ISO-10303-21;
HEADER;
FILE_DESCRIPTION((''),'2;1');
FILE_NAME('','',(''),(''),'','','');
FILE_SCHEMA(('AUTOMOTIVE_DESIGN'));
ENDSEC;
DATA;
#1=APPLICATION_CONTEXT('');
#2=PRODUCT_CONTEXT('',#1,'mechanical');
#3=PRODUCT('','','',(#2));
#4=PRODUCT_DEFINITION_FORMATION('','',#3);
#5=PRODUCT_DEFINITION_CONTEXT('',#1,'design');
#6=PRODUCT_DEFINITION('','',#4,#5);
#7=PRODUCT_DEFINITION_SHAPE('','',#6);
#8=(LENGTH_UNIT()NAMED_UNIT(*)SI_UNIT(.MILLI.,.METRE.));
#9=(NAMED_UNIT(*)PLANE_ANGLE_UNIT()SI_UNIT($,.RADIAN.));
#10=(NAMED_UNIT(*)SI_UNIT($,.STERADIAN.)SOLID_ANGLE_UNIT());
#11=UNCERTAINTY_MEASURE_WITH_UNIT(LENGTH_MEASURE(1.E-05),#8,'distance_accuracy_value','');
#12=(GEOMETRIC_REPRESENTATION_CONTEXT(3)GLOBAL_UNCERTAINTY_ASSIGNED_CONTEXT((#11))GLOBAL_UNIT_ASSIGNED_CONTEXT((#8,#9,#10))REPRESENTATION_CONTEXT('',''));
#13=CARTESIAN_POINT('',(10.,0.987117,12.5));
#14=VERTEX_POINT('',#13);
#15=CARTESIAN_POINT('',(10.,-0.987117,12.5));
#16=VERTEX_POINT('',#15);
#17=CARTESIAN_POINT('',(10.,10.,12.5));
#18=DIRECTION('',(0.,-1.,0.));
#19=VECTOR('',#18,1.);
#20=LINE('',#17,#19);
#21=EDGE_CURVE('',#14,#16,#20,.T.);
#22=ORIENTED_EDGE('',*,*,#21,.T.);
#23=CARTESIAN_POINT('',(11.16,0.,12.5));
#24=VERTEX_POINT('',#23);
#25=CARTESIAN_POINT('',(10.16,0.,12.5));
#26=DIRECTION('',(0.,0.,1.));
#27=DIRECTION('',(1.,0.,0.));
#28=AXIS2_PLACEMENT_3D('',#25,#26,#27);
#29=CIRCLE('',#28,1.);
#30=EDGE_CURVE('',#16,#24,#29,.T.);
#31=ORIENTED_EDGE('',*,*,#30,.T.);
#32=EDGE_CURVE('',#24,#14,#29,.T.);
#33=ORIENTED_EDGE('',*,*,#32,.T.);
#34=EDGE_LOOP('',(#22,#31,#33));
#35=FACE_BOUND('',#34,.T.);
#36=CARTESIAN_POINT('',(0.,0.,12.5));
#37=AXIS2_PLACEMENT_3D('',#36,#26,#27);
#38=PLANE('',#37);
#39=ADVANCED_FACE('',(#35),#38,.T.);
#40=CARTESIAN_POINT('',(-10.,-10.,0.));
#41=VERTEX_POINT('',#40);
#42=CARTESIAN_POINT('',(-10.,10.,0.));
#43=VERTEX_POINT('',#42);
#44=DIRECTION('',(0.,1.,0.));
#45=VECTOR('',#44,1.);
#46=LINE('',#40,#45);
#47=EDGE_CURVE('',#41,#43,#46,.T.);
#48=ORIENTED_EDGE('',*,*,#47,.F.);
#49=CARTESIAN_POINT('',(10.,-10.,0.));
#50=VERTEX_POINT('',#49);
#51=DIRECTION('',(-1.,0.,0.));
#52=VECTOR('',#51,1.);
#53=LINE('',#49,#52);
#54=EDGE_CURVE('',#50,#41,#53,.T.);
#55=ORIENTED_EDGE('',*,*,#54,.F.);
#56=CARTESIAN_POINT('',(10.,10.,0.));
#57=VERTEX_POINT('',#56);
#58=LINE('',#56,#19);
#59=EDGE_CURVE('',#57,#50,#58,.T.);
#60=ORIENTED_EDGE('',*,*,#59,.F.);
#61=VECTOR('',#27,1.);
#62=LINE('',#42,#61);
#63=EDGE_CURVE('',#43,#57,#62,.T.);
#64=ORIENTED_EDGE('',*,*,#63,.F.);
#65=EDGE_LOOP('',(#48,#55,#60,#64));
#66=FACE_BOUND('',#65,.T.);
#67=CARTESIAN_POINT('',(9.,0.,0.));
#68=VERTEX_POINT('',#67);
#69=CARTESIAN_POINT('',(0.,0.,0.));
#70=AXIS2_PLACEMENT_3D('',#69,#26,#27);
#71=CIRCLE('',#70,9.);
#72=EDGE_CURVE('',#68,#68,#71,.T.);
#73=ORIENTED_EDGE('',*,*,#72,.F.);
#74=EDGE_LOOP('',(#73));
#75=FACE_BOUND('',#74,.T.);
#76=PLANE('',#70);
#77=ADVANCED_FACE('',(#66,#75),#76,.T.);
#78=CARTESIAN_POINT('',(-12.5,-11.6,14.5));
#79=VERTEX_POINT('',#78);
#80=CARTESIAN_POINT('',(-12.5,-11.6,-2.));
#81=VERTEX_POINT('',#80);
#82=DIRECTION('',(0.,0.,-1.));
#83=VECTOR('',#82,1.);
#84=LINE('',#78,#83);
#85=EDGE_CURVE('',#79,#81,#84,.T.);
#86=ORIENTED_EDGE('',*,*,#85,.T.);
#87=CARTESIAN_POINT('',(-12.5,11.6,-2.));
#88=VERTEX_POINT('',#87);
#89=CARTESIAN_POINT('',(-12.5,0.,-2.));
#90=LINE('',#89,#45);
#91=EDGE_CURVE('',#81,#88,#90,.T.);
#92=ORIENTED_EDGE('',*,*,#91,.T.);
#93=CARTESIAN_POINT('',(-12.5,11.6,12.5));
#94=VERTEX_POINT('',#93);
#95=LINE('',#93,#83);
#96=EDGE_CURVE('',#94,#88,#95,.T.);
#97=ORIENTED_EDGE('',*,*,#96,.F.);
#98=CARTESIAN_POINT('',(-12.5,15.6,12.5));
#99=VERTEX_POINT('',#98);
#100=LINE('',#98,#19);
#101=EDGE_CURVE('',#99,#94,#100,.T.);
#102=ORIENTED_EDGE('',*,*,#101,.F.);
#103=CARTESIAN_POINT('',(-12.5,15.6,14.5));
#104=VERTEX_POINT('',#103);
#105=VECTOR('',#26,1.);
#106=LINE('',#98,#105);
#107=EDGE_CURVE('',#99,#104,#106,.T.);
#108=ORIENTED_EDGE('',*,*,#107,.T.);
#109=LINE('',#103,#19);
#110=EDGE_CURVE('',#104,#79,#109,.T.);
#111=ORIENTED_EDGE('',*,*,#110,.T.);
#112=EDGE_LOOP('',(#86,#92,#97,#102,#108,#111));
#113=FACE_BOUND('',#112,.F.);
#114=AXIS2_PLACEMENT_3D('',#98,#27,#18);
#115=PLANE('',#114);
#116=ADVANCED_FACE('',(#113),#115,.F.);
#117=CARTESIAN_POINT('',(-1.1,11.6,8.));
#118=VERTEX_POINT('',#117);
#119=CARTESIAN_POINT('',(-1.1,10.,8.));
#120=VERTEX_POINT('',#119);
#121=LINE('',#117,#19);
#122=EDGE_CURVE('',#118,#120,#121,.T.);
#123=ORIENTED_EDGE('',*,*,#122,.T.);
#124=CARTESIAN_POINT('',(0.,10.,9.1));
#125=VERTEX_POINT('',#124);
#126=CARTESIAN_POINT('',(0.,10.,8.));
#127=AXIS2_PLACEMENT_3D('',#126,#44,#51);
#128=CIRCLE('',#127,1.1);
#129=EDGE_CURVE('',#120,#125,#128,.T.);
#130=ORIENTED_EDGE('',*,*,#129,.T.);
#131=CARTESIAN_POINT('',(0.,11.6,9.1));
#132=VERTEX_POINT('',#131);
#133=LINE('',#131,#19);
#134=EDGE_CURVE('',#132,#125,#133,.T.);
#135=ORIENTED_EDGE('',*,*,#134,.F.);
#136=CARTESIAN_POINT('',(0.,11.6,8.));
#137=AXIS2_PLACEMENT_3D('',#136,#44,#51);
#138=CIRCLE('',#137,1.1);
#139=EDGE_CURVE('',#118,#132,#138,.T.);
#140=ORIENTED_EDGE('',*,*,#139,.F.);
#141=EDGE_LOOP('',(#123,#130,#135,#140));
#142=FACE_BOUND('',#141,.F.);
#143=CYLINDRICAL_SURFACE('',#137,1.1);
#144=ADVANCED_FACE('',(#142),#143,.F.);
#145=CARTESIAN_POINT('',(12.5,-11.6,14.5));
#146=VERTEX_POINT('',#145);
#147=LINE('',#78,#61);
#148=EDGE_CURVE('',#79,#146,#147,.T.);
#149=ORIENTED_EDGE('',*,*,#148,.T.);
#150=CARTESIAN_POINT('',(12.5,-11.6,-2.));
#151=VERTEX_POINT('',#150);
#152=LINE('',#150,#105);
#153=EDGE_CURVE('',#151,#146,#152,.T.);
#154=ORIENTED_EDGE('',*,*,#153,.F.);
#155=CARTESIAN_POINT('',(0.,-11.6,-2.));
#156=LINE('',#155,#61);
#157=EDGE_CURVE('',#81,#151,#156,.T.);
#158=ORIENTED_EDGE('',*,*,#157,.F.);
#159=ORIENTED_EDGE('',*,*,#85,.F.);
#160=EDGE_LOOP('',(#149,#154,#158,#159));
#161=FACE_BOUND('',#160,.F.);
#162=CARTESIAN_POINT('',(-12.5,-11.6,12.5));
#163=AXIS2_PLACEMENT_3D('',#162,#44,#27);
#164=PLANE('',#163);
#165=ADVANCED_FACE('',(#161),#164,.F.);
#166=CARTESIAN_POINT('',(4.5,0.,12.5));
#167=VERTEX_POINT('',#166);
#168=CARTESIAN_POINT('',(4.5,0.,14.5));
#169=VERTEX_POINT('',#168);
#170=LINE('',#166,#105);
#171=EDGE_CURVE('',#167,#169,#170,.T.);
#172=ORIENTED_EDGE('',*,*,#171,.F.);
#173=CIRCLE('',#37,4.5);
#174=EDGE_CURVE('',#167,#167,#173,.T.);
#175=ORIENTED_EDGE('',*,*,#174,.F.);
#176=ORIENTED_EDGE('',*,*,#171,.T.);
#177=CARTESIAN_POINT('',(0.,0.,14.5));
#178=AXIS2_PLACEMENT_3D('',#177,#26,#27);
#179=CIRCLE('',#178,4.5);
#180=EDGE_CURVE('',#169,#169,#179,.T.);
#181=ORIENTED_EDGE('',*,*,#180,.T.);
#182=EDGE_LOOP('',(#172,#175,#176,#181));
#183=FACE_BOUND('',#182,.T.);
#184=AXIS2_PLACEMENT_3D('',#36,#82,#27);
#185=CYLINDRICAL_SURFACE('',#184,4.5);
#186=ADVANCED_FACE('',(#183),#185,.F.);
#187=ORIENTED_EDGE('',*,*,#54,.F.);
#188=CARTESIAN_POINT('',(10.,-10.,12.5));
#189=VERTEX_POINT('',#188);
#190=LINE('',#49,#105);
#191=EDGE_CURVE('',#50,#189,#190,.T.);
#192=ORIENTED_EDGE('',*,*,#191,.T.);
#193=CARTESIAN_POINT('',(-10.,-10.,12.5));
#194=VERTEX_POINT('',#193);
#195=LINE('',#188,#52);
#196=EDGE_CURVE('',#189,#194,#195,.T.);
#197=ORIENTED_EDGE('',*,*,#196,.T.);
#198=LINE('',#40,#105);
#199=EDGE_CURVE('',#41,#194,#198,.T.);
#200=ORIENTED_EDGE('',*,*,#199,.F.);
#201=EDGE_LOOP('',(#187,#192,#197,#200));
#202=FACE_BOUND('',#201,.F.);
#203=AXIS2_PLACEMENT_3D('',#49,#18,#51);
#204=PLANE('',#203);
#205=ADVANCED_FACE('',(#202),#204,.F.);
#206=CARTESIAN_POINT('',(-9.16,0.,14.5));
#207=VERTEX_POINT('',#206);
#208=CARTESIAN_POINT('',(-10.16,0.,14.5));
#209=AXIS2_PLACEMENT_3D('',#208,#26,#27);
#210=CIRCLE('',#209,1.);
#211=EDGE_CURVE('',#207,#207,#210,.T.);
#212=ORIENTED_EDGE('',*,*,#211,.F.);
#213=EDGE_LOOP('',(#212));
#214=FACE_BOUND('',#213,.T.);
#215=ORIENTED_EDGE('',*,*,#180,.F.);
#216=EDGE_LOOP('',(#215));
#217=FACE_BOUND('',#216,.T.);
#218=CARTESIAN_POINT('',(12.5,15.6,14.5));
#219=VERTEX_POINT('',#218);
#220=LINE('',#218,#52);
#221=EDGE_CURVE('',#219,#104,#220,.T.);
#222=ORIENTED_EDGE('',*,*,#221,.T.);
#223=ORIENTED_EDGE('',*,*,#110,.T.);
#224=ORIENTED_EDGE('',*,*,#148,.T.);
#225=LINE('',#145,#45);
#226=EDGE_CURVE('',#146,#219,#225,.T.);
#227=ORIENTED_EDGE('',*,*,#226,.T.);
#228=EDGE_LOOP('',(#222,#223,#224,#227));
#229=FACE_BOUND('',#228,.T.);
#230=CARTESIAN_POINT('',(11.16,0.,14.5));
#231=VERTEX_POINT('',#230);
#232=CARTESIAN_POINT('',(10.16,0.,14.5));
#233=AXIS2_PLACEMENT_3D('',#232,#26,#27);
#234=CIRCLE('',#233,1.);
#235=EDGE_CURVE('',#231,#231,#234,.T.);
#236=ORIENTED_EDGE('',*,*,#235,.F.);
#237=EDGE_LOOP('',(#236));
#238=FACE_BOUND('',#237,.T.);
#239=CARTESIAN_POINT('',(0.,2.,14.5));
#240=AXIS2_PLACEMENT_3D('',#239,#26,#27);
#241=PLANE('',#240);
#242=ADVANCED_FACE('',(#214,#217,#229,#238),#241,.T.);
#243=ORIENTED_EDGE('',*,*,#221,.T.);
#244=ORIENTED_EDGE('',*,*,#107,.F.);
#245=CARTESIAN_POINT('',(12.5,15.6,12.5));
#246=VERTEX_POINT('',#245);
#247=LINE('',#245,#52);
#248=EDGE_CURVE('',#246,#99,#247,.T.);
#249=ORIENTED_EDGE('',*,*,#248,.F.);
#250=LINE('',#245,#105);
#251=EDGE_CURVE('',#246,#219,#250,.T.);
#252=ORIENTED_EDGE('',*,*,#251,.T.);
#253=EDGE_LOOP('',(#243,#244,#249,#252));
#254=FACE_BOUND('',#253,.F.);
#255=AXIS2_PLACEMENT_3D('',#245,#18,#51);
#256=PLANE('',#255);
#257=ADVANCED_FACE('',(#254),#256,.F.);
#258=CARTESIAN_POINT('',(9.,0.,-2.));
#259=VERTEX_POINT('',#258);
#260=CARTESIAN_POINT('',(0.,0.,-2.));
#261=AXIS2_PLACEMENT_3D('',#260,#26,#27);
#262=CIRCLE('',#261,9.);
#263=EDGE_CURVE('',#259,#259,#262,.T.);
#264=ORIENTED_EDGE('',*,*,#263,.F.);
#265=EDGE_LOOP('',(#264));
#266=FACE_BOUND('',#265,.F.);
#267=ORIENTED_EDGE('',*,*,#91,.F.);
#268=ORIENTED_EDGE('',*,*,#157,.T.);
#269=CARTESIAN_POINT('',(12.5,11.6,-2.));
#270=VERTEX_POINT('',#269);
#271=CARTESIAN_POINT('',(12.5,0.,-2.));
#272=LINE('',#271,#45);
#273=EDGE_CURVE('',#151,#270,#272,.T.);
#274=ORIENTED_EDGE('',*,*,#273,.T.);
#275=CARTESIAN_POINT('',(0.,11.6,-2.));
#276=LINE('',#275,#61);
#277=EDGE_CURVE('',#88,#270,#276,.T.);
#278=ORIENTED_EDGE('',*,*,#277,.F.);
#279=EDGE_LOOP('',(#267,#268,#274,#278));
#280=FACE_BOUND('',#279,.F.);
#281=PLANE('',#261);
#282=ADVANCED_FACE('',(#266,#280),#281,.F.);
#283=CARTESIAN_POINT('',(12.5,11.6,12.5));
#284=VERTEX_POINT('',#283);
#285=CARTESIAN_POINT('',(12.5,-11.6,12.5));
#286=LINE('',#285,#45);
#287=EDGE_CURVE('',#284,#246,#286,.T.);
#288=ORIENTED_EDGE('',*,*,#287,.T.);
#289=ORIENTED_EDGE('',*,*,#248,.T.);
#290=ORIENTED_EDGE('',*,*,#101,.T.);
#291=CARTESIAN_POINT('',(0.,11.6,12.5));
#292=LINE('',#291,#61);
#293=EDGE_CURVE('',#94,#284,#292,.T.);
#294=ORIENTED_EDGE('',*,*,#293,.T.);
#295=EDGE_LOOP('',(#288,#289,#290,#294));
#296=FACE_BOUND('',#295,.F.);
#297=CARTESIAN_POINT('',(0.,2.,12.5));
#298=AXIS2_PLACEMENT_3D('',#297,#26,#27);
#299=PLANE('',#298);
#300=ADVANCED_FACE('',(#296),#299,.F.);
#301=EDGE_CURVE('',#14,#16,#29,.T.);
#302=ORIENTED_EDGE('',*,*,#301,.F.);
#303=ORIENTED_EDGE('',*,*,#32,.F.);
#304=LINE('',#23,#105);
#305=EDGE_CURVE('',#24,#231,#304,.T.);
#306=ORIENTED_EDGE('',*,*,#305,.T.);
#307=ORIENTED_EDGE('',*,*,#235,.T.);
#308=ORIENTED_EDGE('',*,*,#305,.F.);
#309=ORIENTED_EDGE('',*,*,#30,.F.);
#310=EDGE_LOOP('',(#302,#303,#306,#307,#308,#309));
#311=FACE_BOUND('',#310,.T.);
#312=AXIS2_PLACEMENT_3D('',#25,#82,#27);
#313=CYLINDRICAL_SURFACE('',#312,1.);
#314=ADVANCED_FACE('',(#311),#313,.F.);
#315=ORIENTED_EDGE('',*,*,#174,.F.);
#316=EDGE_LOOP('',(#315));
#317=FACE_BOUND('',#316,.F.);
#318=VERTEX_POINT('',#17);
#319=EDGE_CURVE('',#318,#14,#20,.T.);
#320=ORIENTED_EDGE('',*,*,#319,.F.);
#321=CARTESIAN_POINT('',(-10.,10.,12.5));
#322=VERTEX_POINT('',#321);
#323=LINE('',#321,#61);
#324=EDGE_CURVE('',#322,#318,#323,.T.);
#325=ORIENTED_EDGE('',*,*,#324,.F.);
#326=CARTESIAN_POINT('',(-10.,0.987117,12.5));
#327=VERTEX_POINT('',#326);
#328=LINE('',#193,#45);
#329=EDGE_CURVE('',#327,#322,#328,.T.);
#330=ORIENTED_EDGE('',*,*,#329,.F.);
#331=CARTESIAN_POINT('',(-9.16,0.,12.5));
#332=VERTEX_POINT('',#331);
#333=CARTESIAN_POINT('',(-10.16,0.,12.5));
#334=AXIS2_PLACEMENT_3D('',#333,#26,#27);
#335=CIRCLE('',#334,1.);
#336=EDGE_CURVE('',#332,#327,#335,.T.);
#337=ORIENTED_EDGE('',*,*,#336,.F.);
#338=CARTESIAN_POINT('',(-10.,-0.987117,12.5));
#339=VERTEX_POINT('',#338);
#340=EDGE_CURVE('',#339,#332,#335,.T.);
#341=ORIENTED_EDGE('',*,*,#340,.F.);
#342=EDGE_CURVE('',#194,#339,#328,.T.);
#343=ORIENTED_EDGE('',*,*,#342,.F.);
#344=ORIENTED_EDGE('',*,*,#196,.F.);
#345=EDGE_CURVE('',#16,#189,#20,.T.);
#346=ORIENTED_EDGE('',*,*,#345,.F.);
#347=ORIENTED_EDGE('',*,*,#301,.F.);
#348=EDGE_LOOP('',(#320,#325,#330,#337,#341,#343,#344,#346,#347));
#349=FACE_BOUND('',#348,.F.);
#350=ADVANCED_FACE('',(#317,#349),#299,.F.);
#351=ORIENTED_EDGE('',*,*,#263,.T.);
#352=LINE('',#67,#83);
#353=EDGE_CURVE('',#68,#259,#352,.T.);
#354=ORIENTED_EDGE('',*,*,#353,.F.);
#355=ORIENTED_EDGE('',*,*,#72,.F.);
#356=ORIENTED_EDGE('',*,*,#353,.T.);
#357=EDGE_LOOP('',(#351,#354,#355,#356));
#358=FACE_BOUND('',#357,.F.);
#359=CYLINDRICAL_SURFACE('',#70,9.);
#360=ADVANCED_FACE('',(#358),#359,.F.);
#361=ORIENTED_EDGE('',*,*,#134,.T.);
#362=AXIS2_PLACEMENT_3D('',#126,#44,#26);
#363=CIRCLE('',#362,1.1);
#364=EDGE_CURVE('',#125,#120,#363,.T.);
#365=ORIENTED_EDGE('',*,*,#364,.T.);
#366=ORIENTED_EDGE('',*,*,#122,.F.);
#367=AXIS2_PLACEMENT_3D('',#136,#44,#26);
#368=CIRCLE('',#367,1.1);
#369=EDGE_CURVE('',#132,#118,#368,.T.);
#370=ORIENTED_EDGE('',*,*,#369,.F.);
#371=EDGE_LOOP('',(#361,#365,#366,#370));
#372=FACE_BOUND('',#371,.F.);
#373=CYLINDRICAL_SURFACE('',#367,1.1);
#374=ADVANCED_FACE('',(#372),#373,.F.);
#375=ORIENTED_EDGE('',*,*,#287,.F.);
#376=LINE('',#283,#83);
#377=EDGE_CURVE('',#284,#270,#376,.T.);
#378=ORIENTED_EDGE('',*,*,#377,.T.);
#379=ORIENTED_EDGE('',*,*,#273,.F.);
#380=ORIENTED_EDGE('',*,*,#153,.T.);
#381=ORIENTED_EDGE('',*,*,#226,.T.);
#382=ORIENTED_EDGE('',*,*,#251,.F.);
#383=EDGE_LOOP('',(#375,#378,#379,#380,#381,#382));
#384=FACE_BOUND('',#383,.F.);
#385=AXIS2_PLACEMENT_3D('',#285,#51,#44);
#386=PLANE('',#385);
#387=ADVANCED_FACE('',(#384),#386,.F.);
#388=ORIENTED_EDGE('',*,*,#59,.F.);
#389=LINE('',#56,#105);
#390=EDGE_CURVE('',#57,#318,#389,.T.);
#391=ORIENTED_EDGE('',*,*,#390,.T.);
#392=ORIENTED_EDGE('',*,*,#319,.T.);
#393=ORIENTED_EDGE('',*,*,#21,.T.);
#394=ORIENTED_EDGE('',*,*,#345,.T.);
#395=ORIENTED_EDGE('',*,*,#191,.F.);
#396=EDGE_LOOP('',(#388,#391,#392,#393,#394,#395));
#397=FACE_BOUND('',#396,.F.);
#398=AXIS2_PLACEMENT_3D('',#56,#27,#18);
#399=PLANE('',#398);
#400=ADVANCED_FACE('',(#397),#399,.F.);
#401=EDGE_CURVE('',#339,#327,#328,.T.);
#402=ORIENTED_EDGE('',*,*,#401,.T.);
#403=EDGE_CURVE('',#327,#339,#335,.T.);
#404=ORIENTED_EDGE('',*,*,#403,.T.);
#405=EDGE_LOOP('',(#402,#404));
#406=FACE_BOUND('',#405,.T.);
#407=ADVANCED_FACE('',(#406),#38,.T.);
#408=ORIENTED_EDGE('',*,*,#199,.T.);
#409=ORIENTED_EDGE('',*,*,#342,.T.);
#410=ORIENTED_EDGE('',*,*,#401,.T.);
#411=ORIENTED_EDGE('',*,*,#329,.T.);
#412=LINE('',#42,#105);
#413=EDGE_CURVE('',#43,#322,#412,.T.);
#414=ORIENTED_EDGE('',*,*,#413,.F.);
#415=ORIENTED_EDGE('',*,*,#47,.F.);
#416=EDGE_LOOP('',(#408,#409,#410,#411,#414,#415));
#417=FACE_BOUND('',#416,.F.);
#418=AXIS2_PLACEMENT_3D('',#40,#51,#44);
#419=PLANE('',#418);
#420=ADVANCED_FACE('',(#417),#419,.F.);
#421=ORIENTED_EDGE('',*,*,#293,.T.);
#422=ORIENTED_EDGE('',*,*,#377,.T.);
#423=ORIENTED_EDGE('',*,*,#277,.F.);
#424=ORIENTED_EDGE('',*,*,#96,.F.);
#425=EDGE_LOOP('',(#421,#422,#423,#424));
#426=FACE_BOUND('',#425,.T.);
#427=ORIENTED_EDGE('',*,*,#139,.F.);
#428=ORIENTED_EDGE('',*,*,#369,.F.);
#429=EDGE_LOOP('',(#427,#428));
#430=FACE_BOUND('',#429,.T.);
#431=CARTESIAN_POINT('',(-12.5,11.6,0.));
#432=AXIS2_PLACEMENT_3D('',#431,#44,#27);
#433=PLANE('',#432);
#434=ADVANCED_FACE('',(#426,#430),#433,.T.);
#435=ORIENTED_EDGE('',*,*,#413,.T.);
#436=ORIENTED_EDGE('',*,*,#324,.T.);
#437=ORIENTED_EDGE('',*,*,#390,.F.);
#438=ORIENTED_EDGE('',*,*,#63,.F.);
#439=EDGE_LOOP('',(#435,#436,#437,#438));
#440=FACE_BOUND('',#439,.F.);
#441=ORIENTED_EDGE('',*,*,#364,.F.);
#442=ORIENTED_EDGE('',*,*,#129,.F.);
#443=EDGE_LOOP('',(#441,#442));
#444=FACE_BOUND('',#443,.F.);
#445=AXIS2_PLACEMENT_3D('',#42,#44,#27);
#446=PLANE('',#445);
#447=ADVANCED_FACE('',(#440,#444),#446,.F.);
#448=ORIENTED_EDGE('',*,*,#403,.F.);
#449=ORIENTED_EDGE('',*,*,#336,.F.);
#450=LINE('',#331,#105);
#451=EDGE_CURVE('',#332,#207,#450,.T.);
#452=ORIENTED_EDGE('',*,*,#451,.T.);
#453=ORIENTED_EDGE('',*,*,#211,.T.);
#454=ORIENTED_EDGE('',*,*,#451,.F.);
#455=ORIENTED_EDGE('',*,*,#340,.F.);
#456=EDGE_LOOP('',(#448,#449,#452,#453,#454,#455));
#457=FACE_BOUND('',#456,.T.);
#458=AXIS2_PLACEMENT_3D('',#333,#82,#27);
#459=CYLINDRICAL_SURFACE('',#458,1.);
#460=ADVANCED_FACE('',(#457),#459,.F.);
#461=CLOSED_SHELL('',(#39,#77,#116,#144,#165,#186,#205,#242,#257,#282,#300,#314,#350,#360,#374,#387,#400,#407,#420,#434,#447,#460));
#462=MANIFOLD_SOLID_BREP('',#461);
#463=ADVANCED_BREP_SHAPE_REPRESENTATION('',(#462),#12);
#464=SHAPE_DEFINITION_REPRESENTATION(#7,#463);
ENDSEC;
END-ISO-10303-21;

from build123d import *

# Parameters (mm, degrees)
F0_W     = 25
F0_H     = 23.2
F0_R     = 9
F1_DEPTH = 2
F2_DEPTH = 12.5
F4_DEPTH = 4
F5_R     = 1
F5_R_2   = 4.5
F6_DEPTH = 2


with BuildPart() as f1:
    # F0 (on Top) → F1 (new body)
    with BuildSketch(Plane.XY):
        Rectangle(F0_W, F0_H)
        Polygon((10, 10), (10, 0), (10, -10), (0, -10), (-10, -10), (-10, 0), (-10, 10), (0, 10), align=None, mode=Mode.SUBTRACT)
        with BuildLine():
            ThreePointArc((0, -10), (7.0710678119, -7.0710678119), (10, 0))
            ThreePointArc((10, 0), (7.0710678119, 7.0710678119), (0, 10))
            ThreePointArc((0, 10), (-7.0710678119, 7.0710678119), (-10, 0))
            ThreePointArc((-10, 0), (-7.0710678119, -7.0710678119), (0, -10))
        make_face()
        Circle(F0_R, mode=Mode.SUBTRACT)
        with BuildLine():
            Line((-10, -10), (0, -10))
            ThreePointArc((0, -10), (-7.0710678119, -7.0710678119), (-10, 0))
            Line((-10, 0), (-10, -10))
        make_face()
        with BuildLine():
            ThreePointArc((-10, 0), (-7.0710678119, 7.0710678119), (0, 10))
            Line((0, 10), (-10, 10))
            Line((-10, 10), (-10, 0))
        make_face()
        with BuildLine():
            ThreePointArc((0, 10), (7.0710678119, 7.0710678119), (10, 0))
            Line((10, 0), (10, 10))
            Line((10, 10), (0, 10))
        make_face()
        with BuildLine():
            Line((10, -10), (10, 0))
            ThreePointArc((10, 0), (7.0710678119, -7.0710678119), (0, -10))
            Line((0, -10), (10, -10))
        make_face()
    extrude(amount=-F1_DEPTH)

    # F0 (on Top) → F2 (join)
    with BuildSketch(Plane.XY):
        Rectangle(F0_W, F0_H)
        Polygon((10, 10), (10, 0), (10, -10), (0, -10), (-10, -10), (-10, 0), (-10, 10), (0, 10), align=None, mode=Mode.SUBTRACT)
    extrude(amount=F2_DEPTH)

    # F3 (on face) → F4 (cut)
    with BuildSketch(Plane(origin=(0, 11.6, 0), x_dir=(-1, 0, 0), z_dir=(0, 1, 0))):
        with BuildLine():
            ThreePointArc((0, 9.1), (-0.7778174593, 7.2221825407), (1.1, 8))
            ThreePointArc((1.1, 8), (0.7778174593, 8.7778174593), (0, 9.1))
        make_face()
    extrude(amount=-F4_DEPTH, mode=Mode.SUBTRACT)

    # F5 (on face) → F6 (join)
    with BuildSketch(Plane.XY.offset(12.5)):
        Polygon((-12.5, 11.6), (-12.5, -11.6), (12.5, -11.6), (12.5, 15.6), (-12.5, 15.6), align=None)
        with Locations((-10.16, 0)):
            Circle(F5_R, mode=Mode.SUBTRACT)
        Circle(F5_R_2, mode=Mode.SUBTRACT)
        with Locations((10.16, 0)):
            Circle(F5_R, mode=Mode.SUBTRACT)
    extrude(amount=F6_DEPTH)


solid = f1.part
